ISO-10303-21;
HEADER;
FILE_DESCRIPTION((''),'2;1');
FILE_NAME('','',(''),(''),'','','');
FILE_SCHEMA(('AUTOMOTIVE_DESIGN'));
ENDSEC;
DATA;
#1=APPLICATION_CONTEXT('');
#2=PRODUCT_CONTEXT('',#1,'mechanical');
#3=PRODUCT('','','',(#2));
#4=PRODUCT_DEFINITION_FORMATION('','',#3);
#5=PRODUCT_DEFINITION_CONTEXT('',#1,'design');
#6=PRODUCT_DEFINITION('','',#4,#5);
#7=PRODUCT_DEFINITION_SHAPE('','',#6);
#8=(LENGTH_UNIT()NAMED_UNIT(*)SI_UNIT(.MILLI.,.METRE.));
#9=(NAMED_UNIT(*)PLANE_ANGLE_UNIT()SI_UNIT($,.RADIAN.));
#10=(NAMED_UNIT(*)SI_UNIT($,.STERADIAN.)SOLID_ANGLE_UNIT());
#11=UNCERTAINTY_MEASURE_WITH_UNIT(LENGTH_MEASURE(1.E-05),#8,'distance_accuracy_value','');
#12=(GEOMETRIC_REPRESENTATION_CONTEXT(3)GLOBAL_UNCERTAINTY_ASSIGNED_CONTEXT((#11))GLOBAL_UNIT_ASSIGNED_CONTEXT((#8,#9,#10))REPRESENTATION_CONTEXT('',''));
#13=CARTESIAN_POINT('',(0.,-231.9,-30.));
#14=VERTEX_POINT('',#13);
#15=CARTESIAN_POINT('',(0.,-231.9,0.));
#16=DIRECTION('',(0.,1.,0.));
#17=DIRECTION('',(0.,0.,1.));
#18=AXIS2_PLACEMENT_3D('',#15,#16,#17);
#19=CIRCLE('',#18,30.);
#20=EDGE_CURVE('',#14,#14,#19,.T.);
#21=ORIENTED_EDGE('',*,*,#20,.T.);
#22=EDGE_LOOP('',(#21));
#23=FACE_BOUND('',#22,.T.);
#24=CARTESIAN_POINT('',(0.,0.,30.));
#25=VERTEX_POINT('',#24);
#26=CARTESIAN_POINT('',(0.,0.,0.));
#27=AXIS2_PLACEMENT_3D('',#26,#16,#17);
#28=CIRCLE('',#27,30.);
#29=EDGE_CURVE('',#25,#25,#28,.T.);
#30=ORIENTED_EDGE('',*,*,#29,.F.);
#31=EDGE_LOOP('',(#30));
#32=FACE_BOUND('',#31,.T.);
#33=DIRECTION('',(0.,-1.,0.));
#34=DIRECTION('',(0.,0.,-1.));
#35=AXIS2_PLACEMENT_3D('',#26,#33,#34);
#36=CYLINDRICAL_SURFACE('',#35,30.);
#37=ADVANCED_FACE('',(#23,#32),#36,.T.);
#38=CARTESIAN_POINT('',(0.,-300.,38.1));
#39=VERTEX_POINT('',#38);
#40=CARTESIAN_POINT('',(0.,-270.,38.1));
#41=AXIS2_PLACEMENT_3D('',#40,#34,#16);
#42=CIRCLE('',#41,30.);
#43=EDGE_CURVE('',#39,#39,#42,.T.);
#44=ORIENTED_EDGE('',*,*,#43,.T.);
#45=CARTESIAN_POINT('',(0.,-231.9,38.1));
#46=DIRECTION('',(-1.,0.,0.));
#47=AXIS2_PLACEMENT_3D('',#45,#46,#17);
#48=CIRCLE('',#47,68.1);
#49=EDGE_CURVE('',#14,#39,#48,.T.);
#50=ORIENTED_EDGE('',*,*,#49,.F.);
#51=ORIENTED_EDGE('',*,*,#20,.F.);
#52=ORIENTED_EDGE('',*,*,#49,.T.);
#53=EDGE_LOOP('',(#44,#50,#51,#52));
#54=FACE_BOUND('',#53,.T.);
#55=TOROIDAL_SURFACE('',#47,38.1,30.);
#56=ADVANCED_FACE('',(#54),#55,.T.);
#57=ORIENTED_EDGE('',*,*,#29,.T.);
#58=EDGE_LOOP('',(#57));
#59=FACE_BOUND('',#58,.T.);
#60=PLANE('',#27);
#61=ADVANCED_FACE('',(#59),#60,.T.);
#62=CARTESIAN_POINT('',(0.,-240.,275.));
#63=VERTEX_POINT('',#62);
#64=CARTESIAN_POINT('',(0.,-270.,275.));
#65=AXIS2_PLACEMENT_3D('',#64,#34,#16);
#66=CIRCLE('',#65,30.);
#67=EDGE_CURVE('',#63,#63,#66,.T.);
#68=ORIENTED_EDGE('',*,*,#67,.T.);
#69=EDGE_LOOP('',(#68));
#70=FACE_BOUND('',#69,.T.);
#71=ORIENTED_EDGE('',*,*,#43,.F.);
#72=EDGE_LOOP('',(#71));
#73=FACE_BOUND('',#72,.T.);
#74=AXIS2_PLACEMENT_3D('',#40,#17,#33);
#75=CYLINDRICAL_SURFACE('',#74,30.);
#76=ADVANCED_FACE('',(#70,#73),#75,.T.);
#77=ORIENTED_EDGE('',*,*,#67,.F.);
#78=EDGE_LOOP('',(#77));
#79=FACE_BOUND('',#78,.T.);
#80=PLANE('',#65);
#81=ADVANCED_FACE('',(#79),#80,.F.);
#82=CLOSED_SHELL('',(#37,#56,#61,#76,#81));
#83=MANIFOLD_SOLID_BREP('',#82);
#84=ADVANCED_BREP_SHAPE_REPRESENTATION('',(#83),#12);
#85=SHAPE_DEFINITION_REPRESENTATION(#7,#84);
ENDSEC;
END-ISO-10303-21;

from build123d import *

# Parameters (mm, degrees)
SKETCH1_R = 30


with BuildPart() as part:
    # Sweep1: sweep along a path in Sketch2
    with BuildLine(Plane(origin=(0, 0, 0), x_dir=(0, 0, -1), z_dir=(1, 0, 0))) as sweep1_path:
        Line((0, 0), (0, -231.9))
        ThreePointArc((0, -231.9), (-11.159231637, -258.840768363), (-38.1, -270))
        Line((-38.1, -270), (-275, -270))
    # Sketch1 → Sweep1 (sweep)
    with BuildSketch(Plane(origin=(0, 0, 0), x_dir=(1, 0, 0), z_dir=(0, 1, 0))):
        Circle(SKETCH1_R)
    sweep(path=sweep1_path.line)


solid = part.part
